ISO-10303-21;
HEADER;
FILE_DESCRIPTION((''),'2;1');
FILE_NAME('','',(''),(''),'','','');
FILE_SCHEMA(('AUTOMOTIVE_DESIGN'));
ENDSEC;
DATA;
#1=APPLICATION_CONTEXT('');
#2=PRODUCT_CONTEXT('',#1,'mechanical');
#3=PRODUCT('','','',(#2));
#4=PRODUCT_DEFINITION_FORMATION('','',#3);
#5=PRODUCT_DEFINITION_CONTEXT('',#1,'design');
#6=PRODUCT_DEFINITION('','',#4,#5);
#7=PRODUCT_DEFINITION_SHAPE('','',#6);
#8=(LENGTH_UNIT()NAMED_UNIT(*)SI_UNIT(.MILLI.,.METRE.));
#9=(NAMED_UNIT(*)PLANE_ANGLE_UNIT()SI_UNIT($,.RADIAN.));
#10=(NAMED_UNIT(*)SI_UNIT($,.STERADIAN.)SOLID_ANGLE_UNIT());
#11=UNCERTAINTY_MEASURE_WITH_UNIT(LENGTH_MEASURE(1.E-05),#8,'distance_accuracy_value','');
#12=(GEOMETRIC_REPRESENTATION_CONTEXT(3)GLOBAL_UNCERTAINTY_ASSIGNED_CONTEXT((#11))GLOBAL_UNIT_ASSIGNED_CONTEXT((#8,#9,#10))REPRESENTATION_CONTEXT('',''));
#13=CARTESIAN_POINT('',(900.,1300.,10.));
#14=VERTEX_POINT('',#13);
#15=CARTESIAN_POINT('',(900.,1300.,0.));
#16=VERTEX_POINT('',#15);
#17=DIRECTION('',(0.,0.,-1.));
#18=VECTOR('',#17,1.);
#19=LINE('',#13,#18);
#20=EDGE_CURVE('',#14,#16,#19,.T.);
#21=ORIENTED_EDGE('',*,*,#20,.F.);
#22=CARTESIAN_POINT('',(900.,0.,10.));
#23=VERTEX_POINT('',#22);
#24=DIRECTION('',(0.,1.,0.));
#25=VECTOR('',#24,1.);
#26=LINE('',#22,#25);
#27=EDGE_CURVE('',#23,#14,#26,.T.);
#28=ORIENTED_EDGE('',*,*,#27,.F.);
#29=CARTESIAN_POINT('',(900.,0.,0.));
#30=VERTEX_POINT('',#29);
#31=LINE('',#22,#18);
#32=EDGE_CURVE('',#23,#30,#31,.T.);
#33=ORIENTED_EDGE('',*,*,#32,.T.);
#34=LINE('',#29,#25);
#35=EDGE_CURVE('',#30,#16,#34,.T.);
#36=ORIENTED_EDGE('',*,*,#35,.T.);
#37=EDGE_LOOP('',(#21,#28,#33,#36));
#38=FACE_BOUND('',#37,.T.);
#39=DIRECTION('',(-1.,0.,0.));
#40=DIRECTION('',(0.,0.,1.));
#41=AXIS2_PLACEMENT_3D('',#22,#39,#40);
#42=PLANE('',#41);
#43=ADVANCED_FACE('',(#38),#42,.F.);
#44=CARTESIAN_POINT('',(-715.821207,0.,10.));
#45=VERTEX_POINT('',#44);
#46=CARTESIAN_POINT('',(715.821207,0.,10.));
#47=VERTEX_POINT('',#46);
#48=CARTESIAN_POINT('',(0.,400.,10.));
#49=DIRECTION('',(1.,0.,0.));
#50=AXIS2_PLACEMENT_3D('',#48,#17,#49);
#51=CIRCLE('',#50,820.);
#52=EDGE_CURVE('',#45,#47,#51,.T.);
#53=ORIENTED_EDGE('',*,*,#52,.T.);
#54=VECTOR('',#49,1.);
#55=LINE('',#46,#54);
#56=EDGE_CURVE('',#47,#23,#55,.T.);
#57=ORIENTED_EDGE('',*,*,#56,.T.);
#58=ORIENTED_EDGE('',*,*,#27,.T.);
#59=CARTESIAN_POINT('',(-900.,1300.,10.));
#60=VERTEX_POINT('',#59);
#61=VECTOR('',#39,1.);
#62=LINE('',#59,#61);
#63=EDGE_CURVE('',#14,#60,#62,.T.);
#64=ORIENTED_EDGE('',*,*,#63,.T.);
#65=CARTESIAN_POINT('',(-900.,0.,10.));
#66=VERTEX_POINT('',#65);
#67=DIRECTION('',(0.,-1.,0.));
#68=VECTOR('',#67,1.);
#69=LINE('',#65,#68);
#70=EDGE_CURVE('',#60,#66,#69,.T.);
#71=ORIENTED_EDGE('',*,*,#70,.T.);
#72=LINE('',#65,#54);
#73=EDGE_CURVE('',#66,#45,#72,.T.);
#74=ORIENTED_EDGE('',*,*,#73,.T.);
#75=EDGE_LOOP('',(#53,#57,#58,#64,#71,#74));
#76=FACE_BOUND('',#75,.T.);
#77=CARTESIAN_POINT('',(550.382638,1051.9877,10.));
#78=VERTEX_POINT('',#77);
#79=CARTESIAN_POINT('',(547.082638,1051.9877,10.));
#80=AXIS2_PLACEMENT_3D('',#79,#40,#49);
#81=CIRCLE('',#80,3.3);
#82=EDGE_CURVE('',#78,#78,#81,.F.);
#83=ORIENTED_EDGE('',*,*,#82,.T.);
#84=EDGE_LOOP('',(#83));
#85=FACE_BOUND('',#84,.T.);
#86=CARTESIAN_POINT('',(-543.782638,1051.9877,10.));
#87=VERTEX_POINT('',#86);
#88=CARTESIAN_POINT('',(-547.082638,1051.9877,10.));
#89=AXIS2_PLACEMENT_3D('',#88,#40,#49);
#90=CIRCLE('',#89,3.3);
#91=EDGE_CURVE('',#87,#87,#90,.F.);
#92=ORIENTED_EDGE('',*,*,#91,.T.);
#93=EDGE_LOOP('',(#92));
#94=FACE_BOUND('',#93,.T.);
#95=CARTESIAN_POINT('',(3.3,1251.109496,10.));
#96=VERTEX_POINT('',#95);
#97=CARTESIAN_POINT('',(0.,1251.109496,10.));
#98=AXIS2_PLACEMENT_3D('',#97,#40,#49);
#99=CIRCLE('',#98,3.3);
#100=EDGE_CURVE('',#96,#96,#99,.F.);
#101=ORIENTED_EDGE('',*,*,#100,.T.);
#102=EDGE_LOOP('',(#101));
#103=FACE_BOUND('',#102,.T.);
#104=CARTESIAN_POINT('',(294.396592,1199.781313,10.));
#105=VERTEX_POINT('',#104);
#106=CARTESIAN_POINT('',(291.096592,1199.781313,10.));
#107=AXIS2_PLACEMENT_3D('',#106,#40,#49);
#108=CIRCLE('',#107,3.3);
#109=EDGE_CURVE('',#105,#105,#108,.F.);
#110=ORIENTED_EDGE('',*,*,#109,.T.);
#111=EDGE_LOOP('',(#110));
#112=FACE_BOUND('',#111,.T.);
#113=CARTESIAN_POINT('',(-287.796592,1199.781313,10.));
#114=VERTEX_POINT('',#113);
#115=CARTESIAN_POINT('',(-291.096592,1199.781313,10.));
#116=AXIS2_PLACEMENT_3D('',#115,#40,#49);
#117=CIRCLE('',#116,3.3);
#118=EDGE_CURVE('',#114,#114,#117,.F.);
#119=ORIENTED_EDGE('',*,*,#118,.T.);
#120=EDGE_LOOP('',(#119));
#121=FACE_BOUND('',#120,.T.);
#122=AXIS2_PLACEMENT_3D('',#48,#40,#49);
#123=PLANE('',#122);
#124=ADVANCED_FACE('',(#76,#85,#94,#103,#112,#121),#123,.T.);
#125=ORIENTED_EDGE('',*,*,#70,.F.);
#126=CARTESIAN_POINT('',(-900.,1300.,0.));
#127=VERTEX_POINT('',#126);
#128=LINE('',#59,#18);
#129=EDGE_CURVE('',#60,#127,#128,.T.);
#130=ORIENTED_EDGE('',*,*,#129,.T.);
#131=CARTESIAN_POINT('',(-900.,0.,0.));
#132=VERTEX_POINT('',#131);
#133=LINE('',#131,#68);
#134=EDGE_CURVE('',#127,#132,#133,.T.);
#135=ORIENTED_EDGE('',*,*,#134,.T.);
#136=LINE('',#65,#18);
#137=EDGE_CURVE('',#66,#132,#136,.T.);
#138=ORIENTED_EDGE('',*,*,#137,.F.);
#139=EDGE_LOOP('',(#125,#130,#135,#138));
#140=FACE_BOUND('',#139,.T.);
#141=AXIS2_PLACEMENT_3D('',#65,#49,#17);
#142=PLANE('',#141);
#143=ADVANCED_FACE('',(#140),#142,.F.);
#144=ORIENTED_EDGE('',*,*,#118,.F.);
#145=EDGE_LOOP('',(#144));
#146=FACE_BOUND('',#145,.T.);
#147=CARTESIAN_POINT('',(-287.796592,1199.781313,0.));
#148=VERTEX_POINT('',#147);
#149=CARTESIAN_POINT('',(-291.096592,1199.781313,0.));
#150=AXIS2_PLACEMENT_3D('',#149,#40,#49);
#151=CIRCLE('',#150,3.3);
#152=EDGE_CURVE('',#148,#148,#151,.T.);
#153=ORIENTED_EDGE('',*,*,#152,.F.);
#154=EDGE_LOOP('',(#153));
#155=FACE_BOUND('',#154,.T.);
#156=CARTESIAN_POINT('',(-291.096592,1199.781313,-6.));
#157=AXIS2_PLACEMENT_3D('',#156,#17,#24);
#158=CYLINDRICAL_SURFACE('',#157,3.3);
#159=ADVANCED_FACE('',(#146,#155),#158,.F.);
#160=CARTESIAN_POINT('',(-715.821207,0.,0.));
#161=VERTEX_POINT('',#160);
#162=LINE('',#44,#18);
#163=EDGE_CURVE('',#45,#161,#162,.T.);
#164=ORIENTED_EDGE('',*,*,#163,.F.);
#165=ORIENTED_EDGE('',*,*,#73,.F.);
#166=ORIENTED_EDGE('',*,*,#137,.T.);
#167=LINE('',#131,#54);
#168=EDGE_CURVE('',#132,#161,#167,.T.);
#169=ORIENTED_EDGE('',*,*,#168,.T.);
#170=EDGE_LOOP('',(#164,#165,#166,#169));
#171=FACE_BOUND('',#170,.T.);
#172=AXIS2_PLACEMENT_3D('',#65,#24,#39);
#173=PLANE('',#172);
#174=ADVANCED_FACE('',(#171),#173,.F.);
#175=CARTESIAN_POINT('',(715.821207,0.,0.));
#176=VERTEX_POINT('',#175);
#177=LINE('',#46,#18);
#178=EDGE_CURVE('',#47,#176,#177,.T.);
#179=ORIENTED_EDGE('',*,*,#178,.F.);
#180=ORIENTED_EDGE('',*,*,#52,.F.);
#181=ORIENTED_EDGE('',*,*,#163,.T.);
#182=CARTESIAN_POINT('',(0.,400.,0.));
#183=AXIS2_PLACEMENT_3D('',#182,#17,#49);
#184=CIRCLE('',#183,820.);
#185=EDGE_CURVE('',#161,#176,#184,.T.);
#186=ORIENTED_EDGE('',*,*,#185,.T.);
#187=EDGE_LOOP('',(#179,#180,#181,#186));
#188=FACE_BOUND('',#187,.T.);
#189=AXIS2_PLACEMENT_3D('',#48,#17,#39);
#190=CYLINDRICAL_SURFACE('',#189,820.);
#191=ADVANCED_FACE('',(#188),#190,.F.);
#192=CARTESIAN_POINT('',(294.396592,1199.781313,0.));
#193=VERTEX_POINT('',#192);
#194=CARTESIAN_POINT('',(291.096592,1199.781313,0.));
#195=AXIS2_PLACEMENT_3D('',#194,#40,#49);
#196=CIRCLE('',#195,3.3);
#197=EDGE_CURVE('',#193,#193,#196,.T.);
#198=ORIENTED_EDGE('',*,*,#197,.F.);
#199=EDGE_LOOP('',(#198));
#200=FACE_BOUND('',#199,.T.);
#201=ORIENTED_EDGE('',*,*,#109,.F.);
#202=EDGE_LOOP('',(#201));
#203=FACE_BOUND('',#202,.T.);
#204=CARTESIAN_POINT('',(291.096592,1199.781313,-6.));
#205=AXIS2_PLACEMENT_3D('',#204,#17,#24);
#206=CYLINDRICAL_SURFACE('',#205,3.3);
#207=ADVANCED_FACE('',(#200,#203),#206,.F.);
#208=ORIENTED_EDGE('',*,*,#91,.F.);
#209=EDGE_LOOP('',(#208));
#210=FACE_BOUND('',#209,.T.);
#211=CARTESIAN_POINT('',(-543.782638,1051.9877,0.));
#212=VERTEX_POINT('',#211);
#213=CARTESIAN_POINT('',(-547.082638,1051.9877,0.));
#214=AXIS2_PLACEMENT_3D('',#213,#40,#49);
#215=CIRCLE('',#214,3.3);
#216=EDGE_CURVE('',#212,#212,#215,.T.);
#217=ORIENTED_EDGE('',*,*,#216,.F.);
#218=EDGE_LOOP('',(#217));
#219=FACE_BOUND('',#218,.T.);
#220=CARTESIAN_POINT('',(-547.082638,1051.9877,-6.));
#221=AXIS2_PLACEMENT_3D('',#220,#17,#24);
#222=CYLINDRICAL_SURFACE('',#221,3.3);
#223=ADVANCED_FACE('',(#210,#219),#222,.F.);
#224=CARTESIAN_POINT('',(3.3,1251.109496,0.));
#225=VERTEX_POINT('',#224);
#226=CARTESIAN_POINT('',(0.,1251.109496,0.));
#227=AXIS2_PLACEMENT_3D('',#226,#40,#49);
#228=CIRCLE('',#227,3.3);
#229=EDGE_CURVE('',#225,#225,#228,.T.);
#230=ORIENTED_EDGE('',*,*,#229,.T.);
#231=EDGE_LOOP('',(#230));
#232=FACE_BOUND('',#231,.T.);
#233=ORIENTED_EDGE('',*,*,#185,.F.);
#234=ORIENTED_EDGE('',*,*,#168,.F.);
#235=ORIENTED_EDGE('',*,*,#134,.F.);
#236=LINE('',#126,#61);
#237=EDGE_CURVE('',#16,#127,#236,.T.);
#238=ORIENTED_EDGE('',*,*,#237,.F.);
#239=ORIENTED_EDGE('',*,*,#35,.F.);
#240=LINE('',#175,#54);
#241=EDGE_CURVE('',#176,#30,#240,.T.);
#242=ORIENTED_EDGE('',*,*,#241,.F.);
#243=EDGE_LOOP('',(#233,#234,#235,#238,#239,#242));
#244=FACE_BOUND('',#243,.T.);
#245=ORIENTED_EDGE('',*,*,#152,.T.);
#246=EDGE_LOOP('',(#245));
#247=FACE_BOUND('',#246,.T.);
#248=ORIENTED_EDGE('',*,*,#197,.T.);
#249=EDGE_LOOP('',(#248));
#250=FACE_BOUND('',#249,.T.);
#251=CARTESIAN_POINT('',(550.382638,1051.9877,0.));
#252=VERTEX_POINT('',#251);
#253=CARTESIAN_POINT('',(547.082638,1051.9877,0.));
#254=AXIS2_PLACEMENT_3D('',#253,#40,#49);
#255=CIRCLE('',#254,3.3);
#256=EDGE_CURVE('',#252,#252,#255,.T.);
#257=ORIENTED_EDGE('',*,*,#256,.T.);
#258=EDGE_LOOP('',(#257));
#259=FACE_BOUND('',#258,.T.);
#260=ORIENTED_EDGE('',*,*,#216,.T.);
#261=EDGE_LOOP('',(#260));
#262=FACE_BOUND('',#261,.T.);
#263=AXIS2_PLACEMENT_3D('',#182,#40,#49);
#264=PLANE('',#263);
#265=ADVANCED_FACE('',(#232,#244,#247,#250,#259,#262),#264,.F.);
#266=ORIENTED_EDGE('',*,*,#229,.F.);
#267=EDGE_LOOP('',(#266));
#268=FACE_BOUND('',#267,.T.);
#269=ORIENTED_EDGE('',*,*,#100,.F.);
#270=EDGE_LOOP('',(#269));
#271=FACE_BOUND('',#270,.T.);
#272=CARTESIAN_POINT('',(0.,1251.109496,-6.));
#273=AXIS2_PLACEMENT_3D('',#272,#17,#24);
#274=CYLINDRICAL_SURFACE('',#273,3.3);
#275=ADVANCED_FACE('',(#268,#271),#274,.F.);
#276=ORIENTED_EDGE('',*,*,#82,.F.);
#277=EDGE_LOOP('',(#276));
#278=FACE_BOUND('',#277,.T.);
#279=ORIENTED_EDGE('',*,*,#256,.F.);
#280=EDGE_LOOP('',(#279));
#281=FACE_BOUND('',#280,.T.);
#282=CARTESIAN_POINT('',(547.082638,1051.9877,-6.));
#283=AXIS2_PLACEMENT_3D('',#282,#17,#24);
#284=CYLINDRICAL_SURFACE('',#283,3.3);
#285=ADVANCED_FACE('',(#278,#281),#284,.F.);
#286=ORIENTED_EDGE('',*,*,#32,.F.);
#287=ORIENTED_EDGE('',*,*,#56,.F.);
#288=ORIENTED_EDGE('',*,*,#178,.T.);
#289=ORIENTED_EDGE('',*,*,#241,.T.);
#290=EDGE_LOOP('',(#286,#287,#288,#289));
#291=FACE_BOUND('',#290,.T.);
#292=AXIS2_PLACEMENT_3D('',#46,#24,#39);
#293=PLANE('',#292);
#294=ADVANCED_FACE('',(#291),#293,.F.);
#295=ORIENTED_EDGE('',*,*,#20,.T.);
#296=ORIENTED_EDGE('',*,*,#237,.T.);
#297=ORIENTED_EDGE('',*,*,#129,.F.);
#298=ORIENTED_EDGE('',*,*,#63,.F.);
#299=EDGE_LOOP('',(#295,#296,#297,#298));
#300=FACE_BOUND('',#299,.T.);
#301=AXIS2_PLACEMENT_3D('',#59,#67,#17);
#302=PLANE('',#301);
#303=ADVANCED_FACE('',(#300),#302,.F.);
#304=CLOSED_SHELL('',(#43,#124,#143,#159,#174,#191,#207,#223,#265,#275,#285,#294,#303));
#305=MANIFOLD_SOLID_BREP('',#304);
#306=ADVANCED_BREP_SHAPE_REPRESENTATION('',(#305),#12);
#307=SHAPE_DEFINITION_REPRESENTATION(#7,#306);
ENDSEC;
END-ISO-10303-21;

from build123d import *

# Parameters (mm, degrees)
RESSALTO_EXTRUS_O1_DEPTH = 10
FURO_COM_FOLGA_DE_M61_D  = 6.6


with BuildPart() as part:
    # Esboço1 → Ressalto-extrusão1 (new body)
    with BuildSketch(Plane.XY):
        with BuildLine():
            Line((715.821206727, 0), (900, 0))
            Line((900, 0), (900, 1300))
            Line((900, 1300), (-900, 1300))
            Line((-900, 1300), (-900, 0))
            Line((-900, 0), (-715.821206727, 0))
            ThreePointArc((-715.821206727, 0), (0, 1220), (715.821206727, 0))
        make_face()
    extrude(amount=RESSALTO_EXTRUS_O1_DEPTH)

    # Furo com folga de M61 (through all)
    with Locations(Plane(origin=(0, 400, -6), x_dir=(-1, 0, 0), z_dir=(0, 0, -1))):
        with Locations((0, 851.109495843), (291.096591754, 799.781312724), (547.082638414, 651.987699776), (-291.096591754, 799.781312724), (-547.082638414, 651.987699776)):
            Hole(FURO_COM_FOLGA_DE_M61_D / 2)


solid = part.part
